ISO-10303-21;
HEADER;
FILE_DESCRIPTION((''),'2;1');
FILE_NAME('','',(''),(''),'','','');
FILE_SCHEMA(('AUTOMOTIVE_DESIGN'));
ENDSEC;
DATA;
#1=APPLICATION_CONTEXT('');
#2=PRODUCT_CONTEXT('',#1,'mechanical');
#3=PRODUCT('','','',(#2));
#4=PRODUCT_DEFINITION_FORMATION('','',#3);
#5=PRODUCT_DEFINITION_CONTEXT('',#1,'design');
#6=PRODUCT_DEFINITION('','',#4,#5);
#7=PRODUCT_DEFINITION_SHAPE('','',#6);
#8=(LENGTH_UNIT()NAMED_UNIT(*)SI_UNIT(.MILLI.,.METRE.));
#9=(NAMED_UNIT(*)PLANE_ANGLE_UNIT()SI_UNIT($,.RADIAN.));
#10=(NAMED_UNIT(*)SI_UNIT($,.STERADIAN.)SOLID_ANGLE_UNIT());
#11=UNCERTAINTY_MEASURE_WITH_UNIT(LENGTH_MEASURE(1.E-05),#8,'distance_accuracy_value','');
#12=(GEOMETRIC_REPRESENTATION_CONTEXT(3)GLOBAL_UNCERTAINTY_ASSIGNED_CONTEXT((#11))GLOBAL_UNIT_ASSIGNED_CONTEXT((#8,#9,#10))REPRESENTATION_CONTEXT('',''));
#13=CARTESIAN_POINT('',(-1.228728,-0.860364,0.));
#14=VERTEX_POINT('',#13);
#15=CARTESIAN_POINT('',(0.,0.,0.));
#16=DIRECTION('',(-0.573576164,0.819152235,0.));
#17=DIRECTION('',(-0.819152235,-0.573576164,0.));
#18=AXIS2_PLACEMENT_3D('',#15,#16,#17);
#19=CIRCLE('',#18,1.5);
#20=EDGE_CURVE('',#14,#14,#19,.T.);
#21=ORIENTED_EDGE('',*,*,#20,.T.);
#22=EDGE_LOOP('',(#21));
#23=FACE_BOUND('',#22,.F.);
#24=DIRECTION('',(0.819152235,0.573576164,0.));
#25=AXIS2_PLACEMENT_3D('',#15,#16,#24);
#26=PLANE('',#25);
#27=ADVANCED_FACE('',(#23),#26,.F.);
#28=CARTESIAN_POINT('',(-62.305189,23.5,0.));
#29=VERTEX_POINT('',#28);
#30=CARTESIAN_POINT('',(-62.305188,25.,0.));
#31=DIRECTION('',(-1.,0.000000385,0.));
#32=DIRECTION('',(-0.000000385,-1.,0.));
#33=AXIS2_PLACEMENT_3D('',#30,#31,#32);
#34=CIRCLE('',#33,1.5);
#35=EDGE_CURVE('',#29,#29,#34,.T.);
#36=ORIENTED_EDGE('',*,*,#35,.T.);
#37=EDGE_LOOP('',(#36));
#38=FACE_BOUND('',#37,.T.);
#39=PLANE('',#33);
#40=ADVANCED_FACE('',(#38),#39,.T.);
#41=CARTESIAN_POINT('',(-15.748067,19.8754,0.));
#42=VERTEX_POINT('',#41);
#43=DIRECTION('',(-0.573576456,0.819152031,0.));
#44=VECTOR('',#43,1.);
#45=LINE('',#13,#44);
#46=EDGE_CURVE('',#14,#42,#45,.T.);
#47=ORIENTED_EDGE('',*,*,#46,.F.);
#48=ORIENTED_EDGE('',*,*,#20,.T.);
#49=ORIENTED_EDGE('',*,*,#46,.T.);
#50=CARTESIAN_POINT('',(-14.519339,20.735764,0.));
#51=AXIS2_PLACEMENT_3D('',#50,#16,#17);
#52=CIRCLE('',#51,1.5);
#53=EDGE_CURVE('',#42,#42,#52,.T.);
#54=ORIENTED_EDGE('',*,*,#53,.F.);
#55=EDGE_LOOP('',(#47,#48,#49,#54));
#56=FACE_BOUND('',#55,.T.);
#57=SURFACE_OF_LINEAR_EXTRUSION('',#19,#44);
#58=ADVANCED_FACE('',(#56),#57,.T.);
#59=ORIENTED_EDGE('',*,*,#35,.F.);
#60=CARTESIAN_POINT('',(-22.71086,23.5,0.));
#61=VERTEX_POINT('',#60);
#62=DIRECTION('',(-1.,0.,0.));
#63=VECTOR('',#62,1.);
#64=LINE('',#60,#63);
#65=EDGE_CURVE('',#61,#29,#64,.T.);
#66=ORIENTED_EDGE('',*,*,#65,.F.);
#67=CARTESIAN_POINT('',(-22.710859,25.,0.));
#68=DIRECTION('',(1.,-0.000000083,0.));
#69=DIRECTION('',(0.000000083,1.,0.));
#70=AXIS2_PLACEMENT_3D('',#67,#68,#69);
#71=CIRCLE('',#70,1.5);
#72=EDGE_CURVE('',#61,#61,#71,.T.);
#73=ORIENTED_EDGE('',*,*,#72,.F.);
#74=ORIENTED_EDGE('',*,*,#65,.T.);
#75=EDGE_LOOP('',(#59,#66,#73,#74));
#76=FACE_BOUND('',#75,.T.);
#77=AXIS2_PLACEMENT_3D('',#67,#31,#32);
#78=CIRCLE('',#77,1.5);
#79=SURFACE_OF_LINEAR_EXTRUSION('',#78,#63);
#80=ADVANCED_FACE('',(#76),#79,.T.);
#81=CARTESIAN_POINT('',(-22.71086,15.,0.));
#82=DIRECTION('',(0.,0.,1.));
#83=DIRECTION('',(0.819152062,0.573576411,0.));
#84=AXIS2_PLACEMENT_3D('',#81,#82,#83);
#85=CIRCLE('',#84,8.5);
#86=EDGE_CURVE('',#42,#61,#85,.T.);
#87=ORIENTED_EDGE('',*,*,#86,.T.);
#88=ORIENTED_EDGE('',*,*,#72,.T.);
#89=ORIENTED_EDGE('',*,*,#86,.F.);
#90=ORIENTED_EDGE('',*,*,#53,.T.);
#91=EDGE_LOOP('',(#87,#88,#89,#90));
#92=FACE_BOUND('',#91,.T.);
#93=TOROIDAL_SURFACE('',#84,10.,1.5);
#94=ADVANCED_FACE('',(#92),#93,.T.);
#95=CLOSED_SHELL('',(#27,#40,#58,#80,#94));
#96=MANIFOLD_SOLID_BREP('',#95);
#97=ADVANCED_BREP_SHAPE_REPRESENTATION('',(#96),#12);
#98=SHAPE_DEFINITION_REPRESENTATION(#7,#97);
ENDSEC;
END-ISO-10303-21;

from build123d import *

# Parameters (mm, degrees)
F3_R = 1.5


with BuildPart() as f4:
    # F4: sweep along a path in F0
    with BuildLine(Plane.XY) as f4_path:
        Line((0, 0), (-14.519339, 20.735764))
        ThreePointArc((-14.519339, 20.735764), (-18.093373, 23.870108), (-22.710859, 25))
        Line((-22.710859, 25), (-62.305188, 25))
    # F3 (on face) → F4 (sweep)
    with BuildSketch(Plane(origin=(0, 0, 0), x_dir=(-0.819152, -0.573576, 0), z_dir=(-0.573576, 0.819152, 0))):
        Circle(F3_R)
    sweep(path=f4_path.line)


solid = f4.part
